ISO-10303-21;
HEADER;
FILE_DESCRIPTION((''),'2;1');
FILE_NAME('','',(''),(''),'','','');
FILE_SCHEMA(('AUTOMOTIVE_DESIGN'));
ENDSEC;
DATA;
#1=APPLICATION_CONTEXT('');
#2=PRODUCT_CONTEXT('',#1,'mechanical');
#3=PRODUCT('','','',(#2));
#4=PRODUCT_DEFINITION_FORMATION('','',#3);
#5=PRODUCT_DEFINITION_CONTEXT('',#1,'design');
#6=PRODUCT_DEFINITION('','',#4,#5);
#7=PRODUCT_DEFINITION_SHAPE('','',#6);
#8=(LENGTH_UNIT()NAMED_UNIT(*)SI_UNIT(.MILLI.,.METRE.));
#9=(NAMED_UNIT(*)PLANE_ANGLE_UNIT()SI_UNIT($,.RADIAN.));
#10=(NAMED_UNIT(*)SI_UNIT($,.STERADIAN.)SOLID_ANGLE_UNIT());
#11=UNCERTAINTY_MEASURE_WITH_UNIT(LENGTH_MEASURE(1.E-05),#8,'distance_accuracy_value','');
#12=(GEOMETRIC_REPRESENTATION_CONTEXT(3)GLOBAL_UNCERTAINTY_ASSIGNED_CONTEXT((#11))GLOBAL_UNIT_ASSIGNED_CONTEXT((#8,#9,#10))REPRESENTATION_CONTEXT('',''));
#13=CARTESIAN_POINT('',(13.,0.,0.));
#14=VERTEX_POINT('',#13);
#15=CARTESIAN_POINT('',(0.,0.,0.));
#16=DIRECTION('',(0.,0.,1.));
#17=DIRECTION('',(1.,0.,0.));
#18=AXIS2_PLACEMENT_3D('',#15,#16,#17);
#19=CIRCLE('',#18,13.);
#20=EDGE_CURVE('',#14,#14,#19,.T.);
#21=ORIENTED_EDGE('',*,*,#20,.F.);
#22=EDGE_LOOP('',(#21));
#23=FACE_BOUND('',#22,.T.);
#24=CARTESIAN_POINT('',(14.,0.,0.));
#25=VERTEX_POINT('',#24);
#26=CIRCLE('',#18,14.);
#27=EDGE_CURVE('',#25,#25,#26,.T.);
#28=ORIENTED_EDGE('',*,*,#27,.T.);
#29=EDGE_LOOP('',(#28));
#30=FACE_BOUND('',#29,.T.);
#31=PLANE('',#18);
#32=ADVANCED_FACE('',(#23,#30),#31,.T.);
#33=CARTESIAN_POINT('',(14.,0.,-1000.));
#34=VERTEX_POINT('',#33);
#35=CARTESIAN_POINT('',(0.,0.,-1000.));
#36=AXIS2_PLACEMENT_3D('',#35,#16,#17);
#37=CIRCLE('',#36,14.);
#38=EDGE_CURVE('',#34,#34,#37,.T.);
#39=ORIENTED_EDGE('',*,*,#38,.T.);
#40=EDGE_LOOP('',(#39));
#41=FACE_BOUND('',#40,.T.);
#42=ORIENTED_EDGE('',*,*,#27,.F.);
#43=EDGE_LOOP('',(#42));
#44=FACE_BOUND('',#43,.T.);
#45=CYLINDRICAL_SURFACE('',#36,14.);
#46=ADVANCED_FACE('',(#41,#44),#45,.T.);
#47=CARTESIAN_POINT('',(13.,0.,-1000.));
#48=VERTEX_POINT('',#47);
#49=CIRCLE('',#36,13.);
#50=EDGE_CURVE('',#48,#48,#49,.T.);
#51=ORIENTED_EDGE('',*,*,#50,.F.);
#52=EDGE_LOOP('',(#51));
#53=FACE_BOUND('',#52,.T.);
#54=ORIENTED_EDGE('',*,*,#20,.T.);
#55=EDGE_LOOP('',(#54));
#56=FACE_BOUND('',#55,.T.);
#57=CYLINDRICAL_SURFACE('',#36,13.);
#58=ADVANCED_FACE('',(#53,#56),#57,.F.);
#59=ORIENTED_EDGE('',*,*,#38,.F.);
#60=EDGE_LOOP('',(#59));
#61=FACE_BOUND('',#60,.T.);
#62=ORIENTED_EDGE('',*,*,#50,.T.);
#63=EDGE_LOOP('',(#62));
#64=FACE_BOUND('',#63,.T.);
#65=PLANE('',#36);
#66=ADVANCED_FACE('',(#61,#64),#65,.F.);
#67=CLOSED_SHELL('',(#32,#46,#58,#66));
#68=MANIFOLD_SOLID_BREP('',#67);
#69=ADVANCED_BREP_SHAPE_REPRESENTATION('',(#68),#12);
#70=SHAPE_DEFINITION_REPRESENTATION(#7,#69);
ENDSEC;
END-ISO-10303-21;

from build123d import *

# Parameters (mm, degrees)
SKETCH1_R           = 14
SKETCH1_R_2         = 13
BOSS_EXTRUDE1_DEPTH = 1000


with BuildPart() as part:
    # Sketch1 → Boss-Extrude1 (new body)
    with BuildSketch(Plane.XY):
        Circle(SKETCH1_R)
        Circle(SKETCH1_R_2, mode=Mode.SUBTRACT)
    extrude(amount=-BOSS_EXTRUDE1_DEPTH)


solid = part.part
